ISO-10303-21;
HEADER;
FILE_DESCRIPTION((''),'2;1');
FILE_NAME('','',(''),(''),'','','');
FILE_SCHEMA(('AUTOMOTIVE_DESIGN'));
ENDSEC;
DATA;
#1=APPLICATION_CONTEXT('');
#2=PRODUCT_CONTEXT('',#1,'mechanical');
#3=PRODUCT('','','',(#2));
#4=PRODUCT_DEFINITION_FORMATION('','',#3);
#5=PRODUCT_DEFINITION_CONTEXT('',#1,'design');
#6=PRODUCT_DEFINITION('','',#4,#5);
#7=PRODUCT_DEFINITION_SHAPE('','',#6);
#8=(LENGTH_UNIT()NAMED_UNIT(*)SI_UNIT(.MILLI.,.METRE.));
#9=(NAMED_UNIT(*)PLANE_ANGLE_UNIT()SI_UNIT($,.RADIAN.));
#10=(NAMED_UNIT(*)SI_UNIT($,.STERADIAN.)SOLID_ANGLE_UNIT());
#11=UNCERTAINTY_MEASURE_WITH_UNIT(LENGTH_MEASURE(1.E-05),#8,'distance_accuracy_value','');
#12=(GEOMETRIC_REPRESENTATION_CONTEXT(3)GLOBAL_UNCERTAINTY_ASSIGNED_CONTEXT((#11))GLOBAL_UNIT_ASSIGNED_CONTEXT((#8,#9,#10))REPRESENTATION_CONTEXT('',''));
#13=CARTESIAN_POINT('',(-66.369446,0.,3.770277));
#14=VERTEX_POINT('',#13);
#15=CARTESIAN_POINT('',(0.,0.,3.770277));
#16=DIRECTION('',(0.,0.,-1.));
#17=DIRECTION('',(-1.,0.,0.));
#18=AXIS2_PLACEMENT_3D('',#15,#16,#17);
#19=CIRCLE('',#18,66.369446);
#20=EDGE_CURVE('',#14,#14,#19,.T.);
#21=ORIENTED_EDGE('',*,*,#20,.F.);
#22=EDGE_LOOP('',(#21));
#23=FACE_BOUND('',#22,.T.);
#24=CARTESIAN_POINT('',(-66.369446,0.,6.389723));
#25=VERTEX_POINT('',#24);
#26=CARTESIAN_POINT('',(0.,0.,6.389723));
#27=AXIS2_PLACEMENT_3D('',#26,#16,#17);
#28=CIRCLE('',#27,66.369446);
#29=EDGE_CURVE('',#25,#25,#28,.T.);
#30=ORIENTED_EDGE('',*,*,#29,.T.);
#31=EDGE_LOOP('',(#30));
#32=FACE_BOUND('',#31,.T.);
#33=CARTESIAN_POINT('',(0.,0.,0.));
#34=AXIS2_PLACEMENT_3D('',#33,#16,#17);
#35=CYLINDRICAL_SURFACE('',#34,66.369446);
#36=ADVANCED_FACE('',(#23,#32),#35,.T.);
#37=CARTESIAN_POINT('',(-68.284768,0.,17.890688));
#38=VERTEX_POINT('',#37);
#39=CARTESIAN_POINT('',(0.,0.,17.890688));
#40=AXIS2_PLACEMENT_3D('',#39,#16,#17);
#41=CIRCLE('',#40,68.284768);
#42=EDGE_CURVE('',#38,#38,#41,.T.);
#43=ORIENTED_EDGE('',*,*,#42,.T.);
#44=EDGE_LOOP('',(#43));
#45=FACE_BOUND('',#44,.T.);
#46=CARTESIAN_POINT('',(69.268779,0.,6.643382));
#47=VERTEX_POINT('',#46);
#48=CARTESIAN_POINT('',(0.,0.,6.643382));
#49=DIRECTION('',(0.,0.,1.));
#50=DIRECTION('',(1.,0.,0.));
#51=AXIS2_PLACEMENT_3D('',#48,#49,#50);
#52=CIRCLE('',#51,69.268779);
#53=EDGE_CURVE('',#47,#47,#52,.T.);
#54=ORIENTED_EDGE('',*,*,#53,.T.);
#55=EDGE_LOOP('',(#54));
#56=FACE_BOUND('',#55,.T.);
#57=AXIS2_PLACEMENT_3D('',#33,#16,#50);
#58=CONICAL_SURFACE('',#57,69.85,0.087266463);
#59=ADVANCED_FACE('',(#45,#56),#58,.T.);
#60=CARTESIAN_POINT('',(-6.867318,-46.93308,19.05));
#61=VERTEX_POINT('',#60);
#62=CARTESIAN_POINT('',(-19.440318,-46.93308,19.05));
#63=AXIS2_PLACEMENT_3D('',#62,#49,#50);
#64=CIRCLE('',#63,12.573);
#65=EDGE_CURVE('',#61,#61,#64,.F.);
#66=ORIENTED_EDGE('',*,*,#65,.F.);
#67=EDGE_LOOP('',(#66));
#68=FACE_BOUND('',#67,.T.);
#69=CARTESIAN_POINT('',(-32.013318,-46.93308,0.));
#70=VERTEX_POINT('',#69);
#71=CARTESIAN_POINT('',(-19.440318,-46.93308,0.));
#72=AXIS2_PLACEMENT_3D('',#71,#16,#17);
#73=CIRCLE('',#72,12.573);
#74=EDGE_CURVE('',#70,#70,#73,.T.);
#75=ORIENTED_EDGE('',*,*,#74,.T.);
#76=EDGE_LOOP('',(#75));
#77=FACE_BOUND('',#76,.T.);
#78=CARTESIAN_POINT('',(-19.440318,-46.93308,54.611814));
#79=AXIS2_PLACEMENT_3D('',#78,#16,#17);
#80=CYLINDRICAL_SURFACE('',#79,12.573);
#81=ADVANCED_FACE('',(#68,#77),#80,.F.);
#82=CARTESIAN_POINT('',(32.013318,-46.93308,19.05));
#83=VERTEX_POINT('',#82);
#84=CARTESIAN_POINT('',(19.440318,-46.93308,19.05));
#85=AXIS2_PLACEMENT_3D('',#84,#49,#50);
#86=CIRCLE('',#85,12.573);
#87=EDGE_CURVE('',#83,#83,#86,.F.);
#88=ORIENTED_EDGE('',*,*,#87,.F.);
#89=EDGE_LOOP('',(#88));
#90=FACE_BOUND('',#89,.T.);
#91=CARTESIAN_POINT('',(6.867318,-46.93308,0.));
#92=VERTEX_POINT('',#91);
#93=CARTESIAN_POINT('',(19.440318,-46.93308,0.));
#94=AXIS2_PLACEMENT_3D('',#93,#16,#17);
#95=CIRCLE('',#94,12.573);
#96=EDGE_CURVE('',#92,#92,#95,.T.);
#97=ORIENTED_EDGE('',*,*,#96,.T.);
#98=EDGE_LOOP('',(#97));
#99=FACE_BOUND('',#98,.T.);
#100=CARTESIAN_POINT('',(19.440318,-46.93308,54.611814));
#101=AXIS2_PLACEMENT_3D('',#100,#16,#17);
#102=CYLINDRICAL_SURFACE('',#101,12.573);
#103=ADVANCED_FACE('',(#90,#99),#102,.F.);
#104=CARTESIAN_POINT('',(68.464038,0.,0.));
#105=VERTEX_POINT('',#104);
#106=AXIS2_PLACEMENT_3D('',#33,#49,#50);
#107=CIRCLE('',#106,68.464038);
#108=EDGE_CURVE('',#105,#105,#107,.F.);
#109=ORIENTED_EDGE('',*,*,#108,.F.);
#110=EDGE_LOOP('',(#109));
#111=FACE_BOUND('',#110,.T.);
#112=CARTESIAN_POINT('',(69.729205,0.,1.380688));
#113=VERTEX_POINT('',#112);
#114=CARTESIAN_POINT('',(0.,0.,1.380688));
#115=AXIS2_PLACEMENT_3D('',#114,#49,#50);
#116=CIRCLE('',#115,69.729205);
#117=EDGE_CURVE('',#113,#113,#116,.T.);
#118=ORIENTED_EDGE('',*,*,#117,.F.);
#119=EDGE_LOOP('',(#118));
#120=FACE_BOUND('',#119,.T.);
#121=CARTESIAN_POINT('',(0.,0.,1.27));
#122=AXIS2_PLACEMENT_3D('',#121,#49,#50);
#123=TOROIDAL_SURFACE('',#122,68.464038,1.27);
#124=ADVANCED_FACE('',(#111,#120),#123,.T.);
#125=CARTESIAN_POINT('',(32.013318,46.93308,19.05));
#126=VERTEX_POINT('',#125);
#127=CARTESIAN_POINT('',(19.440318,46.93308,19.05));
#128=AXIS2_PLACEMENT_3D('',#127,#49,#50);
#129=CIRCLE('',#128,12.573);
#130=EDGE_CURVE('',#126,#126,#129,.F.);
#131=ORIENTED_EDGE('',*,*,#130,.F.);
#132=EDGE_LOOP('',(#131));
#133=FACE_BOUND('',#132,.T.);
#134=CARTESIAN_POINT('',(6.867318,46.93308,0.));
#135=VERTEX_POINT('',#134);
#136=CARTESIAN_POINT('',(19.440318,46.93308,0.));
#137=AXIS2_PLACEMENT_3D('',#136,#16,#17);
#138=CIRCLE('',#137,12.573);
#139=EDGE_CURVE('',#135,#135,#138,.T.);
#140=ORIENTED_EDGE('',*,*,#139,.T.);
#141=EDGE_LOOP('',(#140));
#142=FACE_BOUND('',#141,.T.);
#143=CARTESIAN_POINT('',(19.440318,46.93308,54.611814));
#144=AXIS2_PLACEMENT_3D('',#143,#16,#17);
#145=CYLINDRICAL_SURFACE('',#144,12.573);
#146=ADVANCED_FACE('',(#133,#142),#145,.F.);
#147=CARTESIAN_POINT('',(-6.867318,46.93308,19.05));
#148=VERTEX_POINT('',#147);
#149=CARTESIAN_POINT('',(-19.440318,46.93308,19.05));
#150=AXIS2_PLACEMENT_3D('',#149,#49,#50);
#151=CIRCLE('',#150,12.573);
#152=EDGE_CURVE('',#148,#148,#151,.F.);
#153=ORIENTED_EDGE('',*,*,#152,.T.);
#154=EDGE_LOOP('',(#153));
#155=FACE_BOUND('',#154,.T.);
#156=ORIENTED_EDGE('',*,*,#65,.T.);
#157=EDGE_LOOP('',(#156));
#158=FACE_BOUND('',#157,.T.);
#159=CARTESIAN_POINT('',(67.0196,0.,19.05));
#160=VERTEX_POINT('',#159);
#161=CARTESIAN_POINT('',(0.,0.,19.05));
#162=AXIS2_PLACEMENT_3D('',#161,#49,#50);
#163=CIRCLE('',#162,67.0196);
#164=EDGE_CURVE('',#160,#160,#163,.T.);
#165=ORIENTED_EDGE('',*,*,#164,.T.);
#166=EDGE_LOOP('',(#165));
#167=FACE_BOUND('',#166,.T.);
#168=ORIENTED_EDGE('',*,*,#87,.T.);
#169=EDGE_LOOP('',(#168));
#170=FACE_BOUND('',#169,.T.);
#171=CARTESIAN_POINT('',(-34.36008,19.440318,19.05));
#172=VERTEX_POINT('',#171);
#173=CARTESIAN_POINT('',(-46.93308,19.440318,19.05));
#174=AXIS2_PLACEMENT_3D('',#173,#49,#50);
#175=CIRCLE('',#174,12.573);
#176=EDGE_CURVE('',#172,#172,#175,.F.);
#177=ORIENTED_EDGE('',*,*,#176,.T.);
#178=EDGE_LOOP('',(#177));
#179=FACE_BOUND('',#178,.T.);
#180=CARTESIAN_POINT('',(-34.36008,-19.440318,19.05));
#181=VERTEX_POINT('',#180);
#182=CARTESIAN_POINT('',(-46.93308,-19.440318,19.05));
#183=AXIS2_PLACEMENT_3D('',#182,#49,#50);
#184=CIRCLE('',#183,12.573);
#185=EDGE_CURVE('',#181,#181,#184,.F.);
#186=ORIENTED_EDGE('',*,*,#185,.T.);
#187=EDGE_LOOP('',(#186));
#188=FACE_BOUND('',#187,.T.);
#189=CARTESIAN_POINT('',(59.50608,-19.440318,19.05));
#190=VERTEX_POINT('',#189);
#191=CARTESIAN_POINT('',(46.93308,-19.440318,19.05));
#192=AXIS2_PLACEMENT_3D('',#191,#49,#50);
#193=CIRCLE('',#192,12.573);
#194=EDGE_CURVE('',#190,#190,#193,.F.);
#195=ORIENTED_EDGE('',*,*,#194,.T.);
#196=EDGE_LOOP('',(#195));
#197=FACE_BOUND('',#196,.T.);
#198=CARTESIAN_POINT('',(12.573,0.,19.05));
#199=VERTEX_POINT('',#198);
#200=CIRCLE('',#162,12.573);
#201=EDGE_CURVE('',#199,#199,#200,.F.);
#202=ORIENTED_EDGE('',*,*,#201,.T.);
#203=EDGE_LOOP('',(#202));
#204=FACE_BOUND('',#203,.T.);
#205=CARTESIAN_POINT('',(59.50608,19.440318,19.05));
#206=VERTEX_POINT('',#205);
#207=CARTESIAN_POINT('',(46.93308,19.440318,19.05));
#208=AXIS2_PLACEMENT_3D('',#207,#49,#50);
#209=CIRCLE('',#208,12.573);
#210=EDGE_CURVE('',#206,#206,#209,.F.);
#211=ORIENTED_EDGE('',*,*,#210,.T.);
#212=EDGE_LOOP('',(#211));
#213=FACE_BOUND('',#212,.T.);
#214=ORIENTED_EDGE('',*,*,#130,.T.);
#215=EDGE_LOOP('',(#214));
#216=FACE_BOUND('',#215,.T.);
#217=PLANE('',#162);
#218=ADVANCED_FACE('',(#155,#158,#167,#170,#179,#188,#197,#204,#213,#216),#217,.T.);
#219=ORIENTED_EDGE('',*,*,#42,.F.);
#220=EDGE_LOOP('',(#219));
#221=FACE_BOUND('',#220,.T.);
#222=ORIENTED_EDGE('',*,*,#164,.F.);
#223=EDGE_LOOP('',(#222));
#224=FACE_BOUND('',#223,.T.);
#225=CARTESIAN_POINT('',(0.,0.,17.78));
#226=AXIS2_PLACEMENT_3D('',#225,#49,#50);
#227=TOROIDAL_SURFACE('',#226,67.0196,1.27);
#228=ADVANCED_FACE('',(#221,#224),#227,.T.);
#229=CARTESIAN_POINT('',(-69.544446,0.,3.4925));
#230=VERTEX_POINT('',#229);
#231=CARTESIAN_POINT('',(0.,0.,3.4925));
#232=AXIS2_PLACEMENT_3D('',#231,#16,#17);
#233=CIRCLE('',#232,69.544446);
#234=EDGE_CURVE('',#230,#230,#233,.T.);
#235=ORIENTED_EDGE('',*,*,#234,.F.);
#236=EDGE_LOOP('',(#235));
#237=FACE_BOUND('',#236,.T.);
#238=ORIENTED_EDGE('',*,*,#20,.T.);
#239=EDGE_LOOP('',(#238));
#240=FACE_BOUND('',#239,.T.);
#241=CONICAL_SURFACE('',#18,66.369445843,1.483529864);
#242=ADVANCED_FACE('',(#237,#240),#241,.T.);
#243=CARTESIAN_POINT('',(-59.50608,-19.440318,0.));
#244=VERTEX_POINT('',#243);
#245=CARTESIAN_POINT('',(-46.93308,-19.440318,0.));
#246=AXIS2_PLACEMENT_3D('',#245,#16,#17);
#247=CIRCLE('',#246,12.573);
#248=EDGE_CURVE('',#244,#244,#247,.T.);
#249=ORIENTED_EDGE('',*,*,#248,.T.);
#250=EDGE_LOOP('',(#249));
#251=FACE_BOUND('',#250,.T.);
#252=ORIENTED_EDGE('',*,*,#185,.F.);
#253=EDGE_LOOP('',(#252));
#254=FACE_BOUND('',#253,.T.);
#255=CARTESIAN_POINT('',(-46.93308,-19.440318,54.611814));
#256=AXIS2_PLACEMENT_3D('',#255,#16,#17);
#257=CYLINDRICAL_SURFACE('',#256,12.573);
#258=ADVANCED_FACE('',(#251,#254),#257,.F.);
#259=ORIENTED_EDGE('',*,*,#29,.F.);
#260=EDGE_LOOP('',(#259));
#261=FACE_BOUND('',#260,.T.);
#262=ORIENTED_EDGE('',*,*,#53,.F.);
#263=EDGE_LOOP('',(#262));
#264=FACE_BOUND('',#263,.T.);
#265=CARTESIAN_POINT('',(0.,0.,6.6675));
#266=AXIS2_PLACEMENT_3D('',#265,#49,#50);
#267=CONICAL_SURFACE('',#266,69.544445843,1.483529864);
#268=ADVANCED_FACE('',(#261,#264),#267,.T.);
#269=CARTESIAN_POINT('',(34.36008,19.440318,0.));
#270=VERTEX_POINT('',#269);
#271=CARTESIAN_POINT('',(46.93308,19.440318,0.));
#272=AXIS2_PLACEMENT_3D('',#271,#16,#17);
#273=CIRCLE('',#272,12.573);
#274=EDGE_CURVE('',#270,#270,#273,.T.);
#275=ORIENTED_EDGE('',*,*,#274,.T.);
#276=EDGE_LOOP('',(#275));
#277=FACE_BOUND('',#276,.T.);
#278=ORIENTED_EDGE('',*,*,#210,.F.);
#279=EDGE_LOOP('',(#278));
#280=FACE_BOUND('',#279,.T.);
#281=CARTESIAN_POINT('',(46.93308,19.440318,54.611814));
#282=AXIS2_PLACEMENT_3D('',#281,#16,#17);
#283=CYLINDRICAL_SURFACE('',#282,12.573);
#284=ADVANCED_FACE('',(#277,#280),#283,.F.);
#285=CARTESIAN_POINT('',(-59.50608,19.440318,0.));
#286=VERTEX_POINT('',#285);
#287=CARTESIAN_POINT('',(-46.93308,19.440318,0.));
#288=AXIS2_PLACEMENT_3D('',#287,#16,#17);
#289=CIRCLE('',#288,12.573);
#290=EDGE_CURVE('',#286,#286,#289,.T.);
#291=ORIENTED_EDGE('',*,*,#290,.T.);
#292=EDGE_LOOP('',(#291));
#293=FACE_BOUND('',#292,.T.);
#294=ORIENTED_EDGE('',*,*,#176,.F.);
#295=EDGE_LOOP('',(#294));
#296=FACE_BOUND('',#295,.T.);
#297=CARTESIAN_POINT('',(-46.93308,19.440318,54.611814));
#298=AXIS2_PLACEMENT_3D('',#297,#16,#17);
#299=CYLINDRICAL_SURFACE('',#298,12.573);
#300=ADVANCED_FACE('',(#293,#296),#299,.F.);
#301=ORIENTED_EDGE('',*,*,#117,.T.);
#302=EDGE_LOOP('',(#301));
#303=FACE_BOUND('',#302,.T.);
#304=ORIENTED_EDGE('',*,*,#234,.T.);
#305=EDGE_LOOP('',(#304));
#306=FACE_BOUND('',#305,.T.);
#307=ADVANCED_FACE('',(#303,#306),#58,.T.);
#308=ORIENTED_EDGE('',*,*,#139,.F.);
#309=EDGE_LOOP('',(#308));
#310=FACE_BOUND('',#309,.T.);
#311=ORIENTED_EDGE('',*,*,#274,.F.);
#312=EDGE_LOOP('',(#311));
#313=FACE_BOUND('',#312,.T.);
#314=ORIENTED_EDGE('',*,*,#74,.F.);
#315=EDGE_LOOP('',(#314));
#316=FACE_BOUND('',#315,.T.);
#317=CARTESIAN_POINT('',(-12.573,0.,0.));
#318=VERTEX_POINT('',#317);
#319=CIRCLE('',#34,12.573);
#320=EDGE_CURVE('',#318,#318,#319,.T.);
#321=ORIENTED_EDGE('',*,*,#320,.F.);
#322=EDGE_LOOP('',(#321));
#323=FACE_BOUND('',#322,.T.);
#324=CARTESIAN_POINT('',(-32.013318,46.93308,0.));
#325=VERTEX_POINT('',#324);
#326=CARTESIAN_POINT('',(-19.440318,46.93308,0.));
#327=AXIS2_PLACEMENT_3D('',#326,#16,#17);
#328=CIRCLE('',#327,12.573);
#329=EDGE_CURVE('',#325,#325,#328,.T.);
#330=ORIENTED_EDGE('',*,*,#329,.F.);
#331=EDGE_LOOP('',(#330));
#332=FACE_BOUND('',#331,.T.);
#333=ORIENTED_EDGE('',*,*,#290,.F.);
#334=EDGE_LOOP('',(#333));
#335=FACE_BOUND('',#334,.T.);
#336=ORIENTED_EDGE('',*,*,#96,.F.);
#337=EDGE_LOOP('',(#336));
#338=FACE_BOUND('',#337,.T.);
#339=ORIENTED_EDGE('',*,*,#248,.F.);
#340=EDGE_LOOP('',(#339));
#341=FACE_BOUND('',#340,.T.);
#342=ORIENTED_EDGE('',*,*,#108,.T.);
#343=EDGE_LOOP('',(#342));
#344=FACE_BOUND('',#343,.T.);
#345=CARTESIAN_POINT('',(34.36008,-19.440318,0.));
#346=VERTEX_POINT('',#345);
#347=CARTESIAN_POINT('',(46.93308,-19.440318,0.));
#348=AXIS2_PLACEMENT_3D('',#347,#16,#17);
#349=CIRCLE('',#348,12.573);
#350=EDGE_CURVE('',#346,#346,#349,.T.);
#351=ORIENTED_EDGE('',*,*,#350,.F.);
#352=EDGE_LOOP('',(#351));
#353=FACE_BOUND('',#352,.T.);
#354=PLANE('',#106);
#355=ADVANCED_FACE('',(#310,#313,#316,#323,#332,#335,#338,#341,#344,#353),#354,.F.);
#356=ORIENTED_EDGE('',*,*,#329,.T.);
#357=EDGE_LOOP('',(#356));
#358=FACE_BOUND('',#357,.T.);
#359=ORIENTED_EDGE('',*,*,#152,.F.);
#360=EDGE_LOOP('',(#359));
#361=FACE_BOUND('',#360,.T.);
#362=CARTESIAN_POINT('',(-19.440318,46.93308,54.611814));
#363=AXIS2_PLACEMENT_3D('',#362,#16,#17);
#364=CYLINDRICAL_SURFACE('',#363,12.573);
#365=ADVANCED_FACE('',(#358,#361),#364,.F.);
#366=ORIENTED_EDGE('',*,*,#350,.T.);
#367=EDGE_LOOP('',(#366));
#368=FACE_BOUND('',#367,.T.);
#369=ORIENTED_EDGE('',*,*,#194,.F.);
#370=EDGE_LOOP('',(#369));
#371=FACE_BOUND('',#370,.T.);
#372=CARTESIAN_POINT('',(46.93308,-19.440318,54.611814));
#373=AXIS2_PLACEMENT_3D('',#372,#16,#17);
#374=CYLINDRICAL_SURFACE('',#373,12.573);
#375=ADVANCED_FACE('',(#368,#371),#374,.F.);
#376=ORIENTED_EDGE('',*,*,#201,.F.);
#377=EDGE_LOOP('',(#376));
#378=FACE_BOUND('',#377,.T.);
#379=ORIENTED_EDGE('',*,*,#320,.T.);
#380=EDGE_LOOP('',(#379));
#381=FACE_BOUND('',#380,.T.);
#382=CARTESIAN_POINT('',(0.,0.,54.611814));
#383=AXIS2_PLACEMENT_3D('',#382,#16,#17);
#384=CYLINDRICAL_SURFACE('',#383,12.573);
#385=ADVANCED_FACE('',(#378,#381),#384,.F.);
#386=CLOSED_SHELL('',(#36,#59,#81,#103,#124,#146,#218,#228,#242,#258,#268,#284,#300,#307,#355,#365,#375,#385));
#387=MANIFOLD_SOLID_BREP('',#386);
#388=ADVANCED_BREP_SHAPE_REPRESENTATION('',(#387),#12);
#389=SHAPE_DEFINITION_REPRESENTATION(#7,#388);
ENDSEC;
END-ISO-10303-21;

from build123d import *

# Parameters (mm, degrees)
SKETCH1_R           = 69.85
BOSS_EXTRUDE1_DEPTH = 19.05
BOSS_EXTRUDE1_TAPER = 5
FILLET2_R           = 1.27
SKETCH3_R           = 12.573
CUT_EXTRUDE1_DEPTH  = 19.05


with BuildPart() as part:
    # Sketch1 → Boss-Extrude1 (new body)
    with BuildSketch(Plane.XY):
        Circle(SKETCH1_R)
    extrude(amount=BOSS_EXTRUDE1_DEPTH, taper=BOSS_EXTRUDE1_TAPER)

    # Fillet2
    fillet2_edges = [part.edges().sort_by_distance(p)[0] for p in [
        (-69.85, 0, 0),
        (-68.18334096, 0, 19.05),
    ]]
    fillet(fillet2_edges, radius=FILLET2_R)

    # Sketch2 → Cut-Revolve1 (revolve, cut)
    with BuildSketch(Plane(origin=(0, 0, 0), x_dir=(1, 0, 0), z_dir=(0, 1, 0))):
        Polygon((-66.369445843, -3.770276507), (-66.369445843, -6.389723493), (-69.544445843, -6.6675), (-69.544445843, -3.4925), align=None)
    revolve(axis=Axis((0, 0, 0), (0, 0, 1)), mode=Mode.SUBTRACT)

    # Sketch3 → Cut-Extrude1 (cut)
    with BuildSketch(Plane(origin=(0, 0, 0), x_dir=(-1, 0, 0), z_dir=(0, 0, -1))):
        with Locations((-19.440318364, 46.933080252)):
            Circle(SKETCH3_R)
        with Locations((19.440318364, 46.933080252)):
            Circle(SKETCH3_R)
        with Locations((46.933080252, 19.440318364)):
            Circle(SKETCH3_R)
        with Locations((46.933080252, -19.440318364)):
            Circle(SKETCH3_R)
        with Locations((19.440318364, -46.933080252)):
            Circle(SKETCH3_R)
        with Locations((-19.440318364, -46.933080252)):
            Circle(SKETCH3_R)
        with Locations((-46.933080252, -19.440318364)):
            Circle(SKETCH3_R)
        with Locations((-46.933080252, 19.440318364)):
            Circle(SKETCH3_R)
        Circle(SKETCH3_R)
    extrude(amount=-CUT_EXTRUDE1_DEPTH, mode=Mode.SUBTRACT)


solid = part.part
